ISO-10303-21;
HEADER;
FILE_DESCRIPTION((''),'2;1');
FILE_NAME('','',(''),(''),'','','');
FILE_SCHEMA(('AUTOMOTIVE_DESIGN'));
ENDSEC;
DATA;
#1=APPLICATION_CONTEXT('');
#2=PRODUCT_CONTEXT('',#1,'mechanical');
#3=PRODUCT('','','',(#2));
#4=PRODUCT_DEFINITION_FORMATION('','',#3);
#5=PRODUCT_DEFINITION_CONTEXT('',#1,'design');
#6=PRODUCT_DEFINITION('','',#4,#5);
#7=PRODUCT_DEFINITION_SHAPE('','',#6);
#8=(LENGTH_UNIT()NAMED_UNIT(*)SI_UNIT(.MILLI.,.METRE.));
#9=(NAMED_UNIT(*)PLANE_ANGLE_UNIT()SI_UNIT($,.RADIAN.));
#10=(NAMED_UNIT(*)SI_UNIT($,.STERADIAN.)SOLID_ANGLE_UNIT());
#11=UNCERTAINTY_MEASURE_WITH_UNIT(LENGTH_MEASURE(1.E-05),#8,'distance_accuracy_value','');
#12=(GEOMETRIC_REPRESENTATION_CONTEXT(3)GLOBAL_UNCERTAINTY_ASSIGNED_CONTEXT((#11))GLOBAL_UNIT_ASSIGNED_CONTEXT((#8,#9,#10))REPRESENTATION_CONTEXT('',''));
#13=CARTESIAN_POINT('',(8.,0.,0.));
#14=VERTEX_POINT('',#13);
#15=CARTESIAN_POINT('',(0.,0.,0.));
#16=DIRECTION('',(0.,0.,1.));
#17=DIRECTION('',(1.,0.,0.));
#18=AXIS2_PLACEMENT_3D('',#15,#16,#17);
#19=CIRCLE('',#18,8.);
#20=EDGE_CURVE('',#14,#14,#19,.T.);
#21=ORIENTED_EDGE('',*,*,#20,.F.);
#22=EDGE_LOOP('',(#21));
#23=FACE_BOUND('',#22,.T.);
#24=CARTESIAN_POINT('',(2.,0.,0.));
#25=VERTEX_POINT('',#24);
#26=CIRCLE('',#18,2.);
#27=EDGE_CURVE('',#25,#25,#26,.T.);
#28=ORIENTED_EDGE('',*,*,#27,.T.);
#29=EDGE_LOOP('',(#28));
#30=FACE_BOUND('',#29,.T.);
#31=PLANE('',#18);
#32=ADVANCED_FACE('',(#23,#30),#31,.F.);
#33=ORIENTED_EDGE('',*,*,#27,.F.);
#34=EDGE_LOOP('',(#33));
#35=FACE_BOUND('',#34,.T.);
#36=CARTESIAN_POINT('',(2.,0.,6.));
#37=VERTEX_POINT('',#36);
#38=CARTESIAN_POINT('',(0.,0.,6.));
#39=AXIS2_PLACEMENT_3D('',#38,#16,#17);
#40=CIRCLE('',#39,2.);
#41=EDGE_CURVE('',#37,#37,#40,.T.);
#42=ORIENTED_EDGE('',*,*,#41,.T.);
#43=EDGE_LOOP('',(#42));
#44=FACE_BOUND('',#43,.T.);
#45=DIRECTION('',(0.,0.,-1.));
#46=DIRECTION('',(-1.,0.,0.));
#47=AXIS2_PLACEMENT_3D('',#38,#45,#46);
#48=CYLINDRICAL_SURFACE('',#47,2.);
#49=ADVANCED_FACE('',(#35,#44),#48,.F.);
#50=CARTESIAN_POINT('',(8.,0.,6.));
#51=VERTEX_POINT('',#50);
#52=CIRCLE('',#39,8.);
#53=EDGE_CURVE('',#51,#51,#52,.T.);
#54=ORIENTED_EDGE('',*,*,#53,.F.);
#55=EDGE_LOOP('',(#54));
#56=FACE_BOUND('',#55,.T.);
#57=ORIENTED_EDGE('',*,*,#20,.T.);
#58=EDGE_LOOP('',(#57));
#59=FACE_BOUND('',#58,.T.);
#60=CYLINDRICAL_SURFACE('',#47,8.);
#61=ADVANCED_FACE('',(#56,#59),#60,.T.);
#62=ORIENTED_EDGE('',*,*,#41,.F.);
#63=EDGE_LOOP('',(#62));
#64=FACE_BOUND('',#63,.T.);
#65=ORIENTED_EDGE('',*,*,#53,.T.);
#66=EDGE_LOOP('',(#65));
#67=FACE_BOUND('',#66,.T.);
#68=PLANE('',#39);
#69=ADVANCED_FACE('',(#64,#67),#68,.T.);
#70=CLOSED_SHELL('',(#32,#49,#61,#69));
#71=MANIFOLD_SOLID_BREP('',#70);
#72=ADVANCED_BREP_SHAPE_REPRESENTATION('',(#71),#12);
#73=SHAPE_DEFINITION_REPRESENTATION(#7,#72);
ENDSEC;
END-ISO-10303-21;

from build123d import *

# Parameters (mm, degrees)
SKETCH_1_R      = 8
SKETCH_1_R_2    = 2
EXTRUDE_1_DEPTH = 6


with BuildPart() as part:
    # 草图1 → 凸台-拉伸1 (new body)
    with BuildSketch(Plane.XY):
        Circle(SKETCH_1_R)
        Circle(SKETCH_1_R_2, mode=Mode.SUBTRACT)
    extrude(amount=EXTRUDE_1_DEPTH)


solid = part.part
